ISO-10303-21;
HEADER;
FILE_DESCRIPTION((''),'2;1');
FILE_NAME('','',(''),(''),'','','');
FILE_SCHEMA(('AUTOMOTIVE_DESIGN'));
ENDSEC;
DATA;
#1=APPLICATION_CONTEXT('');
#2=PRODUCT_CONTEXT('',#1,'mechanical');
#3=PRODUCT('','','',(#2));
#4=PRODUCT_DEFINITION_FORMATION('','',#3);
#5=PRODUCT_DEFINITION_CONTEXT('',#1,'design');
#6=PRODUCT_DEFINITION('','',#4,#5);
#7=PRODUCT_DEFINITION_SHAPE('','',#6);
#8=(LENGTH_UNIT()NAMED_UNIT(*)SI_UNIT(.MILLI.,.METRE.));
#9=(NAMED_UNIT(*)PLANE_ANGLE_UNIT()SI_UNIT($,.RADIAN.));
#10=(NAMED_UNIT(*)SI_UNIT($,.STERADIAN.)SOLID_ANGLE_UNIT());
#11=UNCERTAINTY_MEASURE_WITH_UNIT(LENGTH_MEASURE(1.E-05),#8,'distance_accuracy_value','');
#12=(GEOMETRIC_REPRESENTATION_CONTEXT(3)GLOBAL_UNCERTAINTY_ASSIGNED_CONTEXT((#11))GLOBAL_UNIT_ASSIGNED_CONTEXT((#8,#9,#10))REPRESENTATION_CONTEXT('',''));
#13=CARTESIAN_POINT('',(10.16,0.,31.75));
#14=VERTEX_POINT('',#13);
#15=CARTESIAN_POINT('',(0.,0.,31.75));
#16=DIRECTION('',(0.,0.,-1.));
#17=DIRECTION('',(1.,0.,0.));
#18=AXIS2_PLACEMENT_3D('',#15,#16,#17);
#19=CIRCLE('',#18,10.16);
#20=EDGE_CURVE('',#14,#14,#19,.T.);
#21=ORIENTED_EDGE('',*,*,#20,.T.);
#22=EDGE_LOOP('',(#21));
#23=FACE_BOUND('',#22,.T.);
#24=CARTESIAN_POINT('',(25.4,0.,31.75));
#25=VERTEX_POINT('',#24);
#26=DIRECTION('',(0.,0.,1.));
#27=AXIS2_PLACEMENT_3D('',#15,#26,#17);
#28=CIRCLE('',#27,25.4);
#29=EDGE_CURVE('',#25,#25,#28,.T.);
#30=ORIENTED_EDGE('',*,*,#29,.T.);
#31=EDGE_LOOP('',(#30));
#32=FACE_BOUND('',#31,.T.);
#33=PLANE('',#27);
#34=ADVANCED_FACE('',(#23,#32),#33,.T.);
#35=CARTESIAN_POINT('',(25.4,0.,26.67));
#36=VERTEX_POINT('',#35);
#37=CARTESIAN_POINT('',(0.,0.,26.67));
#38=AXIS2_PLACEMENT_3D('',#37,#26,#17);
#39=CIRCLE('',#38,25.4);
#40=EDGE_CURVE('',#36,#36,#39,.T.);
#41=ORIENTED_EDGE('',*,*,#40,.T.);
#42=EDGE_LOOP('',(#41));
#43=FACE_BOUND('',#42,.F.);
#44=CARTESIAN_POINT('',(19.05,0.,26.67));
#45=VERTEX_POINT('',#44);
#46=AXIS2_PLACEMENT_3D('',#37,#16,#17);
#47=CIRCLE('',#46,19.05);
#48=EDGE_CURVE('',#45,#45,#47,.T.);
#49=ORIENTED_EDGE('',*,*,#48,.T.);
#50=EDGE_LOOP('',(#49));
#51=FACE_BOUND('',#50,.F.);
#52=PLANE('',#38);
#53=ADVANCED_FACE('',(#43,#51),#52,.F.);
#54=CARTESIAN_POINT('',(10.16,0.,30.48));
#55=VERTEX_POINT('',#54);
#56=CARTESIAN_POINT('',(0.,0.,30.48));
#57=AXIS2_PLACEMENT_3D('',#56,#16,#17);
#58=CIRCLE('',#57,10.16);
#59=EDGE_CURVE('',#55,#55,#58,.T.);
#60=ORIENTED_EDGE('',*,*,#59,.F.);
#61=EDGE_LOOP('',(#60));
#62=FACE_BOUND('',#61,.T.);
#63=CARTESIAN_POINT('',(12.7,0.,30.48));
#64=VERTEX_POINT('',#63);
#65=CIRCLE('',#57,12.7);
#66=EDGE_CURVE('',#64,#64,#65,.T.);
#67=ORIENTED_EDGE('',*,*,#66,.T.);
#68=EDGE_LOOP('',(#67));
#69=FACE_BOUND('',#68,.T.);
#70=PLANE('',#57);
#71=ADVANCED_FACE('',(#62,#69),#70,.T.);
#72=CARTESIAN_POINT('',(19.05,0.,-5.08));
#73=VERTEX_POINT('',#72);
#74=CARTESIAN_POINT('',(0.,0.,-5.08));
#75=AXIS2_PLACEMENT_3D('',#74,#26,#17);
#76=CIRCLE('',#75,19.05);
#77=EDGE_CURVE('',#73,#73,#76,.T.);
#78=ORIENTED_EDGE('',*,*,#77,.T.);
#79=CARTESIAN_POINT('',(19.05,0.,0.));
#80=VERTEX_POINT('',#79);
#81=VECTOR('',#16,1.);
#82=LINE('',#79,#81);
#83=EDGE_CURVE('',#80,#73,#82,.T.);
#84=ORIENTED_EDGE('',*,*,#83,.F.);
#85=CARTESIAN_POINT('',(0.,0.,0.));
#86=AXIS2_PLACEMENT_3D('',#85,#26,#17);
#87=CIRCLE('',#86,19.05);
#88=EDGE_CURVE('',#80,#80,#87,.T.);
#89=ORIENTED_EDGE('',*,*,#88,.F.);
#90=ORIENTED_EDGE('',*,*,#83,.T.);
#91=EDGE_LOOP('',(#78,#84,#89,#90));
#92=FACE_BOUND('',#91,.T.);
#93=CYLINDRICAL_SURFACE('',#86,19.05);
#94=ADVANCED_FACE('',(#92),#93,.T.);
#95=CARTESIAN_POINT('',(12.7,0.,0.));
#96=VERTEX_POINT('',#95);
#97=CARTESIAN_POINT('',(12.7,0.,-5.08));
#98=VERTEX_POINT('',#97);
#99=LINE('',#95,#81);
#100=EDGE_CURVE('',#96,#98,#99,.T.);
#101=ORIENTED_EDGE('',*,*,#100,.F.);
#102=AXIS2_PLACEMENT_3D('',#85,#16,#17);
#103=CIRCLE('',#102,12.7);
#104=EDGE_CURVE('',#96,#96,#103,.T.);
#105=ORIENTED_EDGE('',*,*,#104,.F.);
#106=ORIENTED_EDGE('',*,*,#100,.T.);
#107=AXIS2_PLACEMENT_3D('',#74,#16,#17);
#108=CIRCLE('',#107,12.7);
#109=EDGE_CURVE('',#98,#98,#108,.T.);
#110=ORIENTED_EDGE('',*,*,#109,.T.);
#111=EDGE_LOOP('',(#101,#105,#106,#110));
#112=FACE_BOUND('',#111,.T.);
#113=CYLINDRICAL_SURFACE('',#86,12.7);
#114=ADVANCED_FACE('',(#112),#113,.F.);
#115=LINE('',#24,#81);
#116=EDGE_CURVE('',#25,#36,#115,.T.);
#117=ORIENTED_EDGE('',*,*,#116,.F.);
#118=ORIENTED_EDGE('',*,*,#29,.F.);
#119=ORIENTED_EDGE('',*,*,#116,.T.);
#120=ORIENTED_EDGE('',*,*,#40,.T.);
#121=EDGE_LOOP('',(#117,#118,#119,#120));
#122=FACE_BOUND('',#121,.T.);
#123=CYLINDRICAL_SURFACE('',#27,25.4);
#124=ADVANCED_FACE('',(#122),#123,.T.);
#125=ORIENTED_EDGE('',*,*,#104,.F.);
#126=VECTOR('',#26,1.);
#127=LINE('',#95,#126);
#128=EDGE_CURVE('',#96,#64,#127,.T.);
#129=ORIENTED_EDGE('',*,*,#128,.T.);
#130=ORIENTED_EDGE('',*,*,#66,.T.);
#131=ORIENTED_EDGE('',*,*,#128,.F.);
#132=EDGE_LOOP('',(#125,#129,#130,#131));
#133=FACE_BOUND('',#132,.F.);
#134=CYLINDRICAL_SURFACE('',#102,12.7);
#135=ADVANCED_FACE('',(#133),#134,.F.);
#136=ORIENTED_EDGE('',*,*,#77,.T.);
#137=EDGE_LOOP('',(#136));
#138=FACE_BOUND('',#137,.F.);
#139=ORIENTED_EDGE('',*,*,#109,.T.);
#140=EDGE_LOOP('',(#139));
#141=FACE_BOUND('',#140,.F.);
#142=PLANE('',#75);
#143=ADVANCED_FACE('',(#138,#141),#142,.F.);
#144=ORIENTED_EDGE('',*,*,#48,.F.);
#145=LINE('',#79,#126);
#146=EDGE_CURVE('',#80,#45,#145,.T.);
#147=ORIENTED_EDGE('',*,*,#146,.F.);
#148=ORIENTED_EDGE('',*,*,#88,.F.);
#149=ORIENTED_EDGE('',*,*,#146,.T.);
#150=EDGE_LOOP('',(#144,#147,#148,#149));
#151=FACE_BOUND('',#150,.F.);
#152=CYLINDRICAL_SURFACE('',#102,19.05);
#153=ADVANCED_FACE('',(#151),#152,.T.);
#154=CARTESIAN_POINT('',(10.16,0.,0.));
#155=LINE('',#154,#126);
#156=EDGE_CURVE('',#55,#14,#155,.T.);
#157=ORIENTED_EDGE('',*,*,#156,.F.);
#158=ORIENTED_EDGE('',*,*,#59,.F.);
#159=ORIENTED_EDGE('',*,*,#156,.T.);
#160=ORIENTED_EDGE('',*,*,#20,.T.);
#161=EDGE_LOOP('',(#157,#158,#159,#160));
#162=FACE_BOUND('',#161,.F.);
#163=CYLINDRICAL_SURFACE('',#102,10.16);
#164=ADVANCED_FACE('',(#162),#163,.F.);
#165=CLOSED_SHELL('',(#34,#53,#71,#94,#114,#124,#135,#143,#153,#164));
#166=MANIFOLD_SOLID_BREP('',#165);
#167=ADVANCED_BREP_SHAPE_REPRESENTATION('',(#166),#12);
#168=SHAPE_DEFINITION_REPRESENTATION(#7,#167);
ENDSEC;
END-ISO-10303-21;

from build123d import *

# Parameters (mm, degrees)
F0_R     = 19.05
F1_DEPTH = 31.75
F4_R     = 25.4
F5_DEPTH = 5.08
F3_R     = 12.7
F6_DEPTH = 30.48
F2_R     = 10.16
F7_DEPTH = 42.672
F8_DEPTH = 5.08


with BuildPart() as f1:
    # F0 (on Top) → F1 (new body)
    with BuildSketch(Plane.XY):
        Circle(F0_R)
    extrude(amount=F1_DEPTH)

    # F4 (on face) → F5 (join)
    with BuildSketch(Plane.XY.offset(31.75)):
        Circle(F4_R)
    extrude(amount=-F5_DEPTH)

    # F3 (on face) → F6 (cut)
    with BuildSketch(Plane(origin=(0, 0, 0), x_dir=(1, 0, 0), z_dir=(0, 0, -1))):
        Circle(F3_R)
    extrude(amount=-F6_DEPTH, mode=Mode.SUBTRACT)

    # F2 (on face) → F7 (cut)
    with BuildSketch(Plane(origin=(0, 0, 0), x_dir=(1, 0, 0), z_dir=(0, 0, -1))):
        Circle(F2_R)
    extrude(amount=-F7_DEPTH, mode=Mode.SUBTRACT)

    # F8 (add): a face of the model
    f8_faces = [f1.faces().sort_by_distance(p)[0] for p in [
        (-18.5111846327, 0, 0),
    ]]
    extrude(f8_faces, amount=F8_DEPTH)


solid = f1.part
